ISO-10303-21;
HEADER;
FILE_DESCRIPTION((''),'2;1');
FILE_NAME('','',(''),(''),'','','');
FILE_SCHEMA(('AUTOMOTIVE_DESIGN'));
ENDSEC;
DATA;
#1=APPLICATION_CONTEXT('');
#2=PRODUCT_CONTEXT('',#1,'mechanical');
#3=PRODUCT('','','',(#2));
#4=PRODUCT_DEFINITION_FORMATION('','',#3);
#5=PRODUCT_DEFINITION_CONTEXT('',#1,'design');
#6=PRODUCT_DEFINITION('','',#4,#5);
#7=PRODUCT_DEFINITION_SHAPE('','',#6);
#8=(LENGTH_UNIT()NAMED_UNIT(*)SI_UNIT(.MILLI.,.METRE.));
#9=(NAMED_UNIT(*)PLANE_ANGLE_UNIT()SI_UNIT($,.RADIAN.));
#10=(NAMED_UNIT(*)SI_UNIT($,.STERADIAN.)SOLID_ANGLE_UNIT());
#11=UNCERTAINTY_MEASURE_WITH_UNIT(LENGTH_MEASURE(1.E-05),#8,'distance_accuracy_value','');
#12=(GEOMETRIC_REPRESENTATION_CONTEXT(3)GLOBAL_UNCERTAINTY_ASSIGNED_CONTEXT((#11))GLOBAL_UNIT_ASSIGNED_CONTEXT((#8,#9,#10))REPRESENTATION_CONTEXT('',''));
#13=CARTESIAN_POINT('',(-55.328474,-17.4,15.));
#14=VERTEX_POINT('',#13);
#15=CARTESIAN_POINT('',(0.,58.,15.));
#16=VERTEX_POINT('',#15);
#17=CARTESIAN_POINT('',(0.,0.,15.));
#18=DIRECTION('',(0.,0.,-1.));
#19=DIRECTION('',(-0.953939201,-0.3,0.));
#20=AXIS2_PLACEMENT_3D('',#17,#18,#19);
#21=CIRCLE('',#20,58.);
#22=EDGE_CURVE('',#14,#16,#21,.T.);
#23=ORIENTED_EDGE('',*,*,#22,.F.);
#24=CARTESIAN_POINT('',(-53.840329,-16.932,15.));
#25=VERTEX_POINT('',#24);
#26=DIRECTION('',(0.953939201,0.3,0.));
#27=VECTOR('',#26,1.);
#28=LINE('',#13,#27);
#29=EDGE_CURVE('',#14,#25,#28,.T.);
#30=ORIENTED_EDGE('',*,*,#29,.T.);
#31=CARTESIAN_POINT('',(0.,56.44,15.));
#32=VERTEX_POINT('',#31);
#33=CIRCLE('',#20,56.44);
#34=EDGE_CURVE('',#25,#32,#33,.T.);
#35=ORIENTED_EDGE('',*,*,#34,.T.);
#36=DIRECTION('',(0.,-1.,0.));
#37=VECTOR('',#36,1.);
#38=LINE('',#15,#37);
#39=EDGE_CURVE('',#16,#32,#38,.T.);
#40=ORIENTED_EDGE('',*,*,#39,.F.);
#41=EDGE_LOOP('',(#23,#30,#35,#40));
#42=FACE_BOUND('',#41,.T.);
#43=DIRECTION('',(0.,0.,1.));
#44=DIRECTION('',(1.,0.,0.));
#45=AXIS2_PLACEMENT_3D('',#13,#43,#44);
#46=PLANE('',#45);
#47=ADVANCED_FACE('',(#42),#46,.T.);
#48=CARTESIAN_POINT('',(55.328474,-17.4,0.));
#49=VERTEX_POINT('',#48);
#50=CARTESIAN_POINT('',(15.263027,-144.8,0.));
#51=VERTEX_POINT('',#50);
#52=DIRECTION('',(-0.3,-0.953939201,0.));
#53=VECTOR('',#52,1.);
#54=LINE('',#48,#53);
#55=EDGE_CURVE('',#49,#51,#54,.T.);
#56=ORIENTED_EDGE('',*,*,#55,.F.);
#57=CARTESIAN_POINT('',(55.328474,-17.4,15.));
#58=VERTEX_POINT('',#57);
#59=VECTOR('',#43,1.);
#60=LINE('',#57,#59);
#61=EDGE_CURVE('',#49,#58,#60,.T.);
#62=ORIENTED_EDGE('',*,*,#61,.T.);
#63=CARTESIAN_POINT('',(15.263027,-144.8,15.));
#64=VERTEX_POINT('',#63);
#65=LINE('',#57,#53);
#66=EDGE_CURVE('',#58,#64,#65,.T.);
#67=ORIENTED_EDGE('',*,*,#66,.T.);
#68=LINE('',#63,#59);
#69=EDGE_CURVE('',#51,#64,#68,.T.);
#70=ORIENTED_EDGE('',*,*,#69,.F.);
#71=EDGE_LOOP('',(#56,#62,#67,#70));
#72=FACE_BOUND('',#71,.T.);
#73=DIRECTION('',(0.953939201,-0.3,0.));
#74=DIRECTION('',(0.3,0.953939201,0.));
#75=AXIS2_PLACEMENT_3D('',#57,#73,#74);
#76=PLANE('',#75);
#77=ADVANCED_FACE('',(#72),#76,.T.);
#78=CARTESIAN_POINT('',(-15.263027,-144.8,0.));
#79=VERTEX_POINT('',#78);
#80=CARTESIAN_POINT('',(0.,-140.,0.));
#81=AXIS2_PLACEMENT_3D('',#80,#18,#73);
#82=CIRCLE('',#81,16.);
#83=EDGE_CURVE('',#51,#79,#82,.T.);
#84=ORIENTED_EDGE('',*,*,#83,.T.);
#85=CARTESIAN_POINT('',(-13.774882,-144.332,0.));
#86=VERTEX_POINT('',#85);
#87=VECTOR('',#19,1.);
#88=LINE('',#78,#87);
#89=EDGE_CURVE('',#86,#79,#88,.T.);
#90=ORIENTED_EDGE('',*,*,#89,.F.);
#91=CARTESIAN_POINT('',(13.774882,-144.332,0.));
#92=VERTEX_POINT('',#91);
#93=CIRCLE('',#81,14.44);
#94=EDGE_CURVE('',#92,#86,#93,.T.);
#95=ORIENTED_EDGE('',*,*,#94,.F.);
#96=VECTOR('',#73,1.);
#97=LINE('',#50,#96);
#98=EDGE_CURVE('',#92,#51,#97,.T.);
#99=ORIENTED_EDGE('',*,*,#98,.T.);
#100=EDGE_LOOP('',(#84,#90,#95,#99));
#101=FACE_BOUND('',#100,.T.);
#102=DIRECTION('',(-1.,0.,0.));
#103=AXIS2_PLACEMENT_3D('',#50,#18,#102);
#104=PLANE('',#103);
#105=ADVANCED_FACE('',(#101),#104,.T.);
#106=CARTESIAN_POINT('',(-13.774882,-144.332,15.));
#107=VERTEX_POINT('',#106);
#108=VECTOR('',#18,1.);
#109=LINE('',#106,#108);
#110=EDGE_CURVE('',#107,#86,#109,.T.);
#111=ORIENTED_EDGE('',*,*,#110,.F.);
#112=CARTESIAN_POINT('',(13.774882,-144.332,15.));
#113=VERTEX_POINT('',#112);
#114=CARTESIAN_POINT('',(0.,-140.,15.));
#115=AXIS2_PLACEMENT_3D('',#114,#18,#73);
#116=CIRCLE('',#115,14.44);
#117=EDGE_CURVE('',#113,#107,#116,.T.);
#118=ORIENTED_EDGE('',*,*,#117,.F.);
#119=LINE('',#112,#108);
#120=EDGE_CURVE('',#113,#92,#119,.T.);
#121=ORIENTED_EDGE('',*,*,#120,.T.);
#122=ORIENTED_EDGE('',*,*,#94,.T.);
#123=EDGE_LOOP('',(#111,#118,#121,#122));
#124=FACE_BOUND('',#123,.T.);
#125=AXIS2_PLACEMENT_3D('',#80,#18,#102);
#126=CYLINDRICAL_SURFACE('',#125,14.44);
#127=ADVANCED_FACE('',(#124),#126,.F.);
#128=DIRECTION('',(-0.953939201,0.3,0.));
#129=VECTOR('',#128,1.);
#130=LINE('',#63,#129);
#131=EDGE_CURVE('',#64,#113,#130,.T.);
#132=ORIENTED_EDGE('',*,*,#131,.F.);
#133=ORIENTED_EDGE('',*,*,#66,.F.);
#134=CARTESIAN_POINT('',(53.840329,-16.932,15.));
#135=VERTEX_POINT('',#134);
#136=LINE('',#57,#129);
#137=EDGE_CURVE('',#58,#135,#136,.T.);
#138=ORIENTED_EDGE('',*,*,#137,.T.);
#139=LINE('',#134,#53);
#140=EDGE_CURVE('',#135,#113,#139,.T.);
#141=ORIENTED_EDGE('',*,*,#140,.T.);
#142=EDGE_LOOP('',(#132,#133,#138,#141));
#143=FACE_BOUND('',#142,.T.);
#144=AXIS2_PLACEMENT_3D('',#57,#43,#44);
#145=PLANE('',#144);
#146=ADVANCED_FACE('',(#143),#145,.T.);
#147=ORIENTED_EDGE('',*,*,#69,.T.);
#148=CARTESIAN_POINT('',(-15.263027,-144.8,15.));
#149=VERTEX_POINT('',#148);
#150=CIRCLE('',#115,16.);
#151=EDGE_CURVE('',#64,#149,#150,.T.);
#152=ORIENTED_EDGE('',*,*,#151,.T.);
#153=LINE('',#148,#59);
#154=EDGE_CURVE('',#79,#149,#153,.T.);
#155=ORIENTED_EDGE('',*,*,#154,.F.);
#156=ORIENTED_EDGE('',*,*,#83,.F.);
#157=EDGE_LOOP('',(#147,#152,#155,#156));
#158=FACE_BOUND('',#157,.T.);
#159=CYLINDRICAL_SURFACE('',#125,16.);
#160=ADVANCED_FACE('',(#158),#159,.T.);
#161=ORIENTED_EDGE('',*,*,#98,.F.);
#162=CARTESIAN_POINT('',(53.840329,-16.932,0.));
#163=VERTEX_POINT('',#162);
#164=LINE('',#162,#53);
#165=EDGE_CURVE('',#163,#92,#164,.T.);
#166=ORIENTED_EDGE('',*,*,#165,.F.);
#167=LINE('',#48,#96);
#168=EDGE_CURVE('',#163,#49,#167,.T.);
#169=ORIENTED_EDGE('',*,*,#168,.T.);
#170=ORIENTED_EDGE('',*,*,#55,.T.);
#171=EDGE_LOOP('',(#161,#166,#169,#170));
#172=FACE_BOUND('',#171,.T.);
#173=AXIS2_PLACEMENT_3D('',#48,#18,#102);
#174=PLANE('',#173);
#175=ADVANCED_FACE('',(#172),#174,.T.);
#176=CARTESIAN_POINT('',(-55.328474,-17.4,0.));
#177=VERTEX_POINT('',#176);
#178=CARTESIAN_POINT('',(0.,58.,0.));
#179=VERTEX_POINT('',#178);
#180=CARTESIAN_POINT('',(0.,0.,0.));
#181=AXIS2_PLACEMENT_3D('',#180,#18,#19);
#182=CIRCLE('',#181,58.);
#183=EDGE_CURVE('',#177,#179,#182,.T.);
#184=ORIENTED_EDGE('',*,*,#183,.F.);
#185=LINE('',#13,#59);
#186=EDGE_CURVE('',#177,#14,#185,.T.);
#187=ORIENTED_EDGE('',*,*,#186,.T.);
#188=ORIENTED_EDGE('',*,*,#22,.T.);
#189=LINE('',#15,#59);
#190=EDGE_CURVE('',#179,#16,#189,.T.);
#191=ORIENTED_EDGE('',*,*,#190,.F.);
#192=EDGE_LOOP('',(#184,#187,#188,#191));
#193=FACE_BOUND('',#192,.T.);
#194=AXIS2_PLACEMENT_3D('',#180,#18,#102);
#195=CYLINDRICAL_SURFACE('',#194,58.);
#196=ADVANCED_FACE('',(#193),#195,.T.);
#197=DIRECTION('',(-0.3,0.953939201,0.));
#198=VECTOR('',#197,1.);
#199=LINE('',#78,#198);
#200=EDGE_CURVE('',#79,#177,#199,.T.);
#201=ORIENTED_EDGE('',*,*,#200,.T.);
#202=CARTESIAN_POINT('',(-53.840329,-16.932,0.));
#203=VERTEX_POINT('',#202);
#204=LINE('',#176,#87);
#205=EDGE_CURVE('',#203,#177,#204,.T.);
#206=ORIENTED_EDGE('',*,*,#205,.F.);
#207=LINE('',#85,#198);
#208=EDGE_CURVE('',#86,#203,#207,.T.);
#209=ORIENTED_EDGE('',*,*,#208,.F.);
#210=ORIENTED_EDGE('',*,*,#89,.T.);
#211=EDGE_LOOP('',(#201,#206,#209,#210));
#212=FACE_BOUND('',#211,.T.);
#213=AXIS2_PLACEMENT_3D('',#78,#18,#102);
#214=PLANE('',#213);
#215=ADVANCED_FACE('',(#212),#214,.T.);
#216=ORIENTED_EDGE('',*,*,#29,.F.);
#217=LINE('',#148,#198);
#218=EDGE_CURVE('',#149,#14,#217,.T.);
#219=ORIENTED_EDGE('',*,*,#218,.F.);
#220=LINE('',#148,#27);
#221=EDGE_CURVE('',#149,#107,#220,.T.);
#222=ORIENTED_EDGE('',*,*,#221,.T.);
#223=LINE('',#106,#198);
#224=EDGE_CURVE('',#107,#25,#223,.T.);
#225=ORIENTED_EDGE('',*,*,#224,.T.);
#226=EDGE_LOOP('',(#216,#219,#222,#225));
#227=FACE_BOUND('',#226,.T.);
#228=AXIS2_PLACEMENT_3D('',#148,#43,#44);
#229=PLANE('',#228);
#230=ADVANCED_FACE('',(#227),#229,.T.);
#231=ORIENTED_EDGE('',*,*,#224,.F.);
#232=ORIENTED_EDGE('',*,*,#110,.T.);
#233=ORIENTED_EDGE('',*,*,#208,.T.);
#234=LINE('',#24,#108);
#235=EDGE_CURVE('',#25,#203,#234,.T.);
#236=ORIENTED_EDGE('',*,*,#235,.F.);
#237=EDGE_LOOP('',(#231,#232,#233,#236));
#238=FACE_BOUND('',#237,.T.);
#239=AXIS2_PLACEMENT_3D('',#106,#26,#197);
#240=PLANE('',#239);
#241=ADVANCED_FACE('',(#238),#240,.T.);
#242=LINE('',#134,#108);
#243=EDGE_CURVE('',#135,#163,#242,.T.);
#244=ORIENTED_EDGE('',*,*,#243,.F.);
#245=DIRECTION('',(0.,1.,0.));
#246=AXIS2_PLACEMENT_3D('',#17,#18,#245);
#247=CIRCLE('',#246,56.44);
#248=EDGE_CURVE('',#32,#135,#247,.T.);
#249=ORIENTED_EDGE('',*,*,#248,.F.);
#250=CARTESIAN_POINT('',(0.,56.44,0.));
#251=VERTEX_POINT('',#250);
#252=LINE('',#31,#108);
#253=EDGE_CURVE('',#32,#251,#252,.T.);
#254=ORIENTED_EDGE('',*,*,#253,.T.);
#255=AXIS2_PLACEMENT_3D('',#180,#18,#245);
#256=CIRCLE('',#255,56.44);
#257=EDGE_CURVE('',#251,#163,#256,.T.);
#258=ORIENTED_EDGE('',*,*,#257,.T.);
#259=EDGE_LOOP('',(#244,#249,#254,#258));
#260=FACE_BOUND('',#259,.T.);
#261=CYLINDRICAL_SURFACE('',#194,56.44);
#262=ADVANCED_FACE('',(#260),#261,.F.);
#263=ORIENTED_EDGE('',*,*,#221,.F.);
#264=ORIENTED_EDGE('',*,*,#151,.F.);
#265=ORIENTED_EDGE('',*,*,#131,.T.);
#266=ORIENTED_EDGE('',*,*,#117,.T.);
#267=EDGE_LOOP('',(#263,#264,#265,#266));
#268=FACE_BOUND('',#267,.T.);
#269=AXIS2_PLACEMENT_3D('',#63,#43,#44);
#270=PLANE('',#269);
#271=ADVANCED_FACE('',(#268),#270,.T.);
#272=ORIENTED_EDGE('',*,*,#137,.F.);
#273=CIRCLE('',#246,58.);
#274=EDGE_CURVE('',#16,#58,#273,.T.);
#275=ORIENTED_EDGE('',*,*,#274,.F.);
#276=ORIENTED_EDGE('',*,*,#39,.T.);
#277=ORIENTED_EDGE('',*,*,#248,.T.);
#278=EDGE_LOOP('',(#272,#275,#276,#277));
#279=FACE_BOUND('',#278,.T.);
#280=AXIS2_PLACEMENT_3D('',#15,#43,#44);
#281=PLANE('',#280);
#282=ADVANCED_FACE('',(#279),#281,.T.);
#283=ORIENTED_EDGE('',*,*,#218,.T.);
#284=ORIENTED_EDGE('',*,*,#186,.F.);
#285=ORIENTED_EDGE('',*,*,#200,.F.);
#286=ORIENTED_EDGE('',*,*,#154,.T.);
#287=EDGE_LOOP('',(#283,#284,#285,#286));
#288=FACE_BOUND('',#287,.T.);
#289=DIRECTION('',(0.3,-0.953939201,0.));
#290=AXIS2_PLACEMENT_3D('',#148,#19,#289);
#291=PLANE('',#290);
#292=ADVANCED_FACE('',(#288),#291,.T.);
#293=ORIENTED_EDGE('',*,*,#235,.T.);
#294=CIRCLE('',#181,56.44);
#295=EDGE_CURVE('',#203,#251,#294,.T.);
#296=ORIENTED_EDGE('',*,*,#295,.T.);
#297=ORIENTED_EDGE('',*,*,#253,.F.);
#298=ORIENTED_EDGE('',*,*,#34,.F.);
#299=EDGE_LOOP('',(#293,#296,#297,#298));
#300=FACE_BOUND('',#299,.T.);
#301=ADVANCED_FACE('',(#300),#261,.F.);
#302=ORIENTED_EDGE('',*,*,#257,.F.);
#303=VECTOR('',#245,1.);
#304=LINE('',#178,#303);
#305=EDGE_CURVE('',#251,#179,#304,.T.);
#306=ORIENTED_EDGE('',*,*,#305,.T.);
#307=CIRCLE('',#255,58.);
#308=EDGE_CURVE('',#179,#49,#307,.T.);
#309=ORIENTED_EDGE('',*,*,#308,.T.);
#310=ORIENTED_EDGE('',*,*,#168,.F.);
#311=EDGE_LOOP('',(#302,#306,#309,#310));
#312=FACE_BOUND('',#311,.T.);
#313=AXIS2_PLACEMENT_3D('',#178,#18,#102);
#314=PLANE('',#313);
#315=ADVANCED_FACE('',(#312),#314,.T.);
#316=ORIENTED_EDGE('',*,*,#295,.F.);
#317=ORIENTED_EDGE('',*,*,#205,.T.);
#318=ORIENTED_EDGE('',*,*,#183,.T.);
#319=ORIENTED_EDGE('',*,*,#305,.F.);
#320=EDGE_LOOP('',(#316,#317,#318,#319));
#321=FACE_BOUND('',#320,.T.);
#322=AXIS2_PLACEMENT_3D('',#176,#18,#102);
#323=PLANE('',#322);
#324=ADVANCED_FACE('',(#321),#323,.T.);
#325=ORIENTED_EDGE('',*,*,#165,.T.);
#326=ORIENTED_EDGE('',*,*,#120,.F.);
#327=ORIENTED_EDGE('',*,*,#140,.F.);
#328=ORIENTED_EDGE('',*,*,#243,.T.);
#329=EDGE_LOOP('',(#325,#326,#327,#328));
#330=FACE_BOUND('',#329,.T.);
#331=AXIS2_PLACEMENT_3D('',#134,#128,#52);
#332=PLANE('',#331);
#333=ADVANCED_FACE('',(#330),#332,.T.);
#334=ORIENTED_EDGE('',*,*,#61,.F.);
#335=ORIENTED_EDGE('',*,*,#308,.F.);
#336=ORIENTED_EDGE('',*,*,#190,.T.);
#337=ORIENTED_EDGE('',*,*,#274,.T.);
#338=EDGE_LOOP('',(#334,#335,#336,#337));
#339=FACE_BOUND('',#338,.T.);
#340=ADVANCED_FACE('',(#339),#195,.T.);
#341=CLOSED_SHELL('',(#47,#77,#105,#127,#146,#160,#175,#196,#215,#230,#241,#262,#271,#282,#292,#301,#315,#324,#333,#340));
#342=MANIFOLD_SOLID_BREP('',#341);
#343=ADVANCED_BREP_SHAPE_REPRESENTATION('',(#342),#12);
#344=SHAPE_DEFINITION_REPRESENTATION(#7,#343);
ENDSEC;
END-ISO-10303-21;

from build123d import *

# Parameters (mm, degrees)
SKETCH_2_W = 15
SKETCH_2_H = 1.56


with BuildPart() as part:
    # По траектории1: sweep along a path in Эскиз1
    with BuildLine(Plane.XY) as sweep_1_path:
        Line((-55.328473682, -17.4), (-15.263027223, -144.8))
        ThreePointArc((-15.263027223, -144.8), (0, -156), (15.263027223, -144.8))
        Line((15.263027223, -144.8), (55.328473682, -17.4))
        ThreePointArc((55.328473682, -17.4), (0, 58), (-55.328473682, -17.4))
    # Эскиз2 → По траектории1 (sweep)
    with BuildSketch(Plane(origin=(0, 0, 0), x_dir=(0, 0, -1), z_dir=(1, 0, 0))):
        with Locations((-7.5, 57.22)):
            Rectangle(SKETCH_2_W, SKETCH_2_H)
    sweep(path=sweep_1_path.line)


solid = part.part
